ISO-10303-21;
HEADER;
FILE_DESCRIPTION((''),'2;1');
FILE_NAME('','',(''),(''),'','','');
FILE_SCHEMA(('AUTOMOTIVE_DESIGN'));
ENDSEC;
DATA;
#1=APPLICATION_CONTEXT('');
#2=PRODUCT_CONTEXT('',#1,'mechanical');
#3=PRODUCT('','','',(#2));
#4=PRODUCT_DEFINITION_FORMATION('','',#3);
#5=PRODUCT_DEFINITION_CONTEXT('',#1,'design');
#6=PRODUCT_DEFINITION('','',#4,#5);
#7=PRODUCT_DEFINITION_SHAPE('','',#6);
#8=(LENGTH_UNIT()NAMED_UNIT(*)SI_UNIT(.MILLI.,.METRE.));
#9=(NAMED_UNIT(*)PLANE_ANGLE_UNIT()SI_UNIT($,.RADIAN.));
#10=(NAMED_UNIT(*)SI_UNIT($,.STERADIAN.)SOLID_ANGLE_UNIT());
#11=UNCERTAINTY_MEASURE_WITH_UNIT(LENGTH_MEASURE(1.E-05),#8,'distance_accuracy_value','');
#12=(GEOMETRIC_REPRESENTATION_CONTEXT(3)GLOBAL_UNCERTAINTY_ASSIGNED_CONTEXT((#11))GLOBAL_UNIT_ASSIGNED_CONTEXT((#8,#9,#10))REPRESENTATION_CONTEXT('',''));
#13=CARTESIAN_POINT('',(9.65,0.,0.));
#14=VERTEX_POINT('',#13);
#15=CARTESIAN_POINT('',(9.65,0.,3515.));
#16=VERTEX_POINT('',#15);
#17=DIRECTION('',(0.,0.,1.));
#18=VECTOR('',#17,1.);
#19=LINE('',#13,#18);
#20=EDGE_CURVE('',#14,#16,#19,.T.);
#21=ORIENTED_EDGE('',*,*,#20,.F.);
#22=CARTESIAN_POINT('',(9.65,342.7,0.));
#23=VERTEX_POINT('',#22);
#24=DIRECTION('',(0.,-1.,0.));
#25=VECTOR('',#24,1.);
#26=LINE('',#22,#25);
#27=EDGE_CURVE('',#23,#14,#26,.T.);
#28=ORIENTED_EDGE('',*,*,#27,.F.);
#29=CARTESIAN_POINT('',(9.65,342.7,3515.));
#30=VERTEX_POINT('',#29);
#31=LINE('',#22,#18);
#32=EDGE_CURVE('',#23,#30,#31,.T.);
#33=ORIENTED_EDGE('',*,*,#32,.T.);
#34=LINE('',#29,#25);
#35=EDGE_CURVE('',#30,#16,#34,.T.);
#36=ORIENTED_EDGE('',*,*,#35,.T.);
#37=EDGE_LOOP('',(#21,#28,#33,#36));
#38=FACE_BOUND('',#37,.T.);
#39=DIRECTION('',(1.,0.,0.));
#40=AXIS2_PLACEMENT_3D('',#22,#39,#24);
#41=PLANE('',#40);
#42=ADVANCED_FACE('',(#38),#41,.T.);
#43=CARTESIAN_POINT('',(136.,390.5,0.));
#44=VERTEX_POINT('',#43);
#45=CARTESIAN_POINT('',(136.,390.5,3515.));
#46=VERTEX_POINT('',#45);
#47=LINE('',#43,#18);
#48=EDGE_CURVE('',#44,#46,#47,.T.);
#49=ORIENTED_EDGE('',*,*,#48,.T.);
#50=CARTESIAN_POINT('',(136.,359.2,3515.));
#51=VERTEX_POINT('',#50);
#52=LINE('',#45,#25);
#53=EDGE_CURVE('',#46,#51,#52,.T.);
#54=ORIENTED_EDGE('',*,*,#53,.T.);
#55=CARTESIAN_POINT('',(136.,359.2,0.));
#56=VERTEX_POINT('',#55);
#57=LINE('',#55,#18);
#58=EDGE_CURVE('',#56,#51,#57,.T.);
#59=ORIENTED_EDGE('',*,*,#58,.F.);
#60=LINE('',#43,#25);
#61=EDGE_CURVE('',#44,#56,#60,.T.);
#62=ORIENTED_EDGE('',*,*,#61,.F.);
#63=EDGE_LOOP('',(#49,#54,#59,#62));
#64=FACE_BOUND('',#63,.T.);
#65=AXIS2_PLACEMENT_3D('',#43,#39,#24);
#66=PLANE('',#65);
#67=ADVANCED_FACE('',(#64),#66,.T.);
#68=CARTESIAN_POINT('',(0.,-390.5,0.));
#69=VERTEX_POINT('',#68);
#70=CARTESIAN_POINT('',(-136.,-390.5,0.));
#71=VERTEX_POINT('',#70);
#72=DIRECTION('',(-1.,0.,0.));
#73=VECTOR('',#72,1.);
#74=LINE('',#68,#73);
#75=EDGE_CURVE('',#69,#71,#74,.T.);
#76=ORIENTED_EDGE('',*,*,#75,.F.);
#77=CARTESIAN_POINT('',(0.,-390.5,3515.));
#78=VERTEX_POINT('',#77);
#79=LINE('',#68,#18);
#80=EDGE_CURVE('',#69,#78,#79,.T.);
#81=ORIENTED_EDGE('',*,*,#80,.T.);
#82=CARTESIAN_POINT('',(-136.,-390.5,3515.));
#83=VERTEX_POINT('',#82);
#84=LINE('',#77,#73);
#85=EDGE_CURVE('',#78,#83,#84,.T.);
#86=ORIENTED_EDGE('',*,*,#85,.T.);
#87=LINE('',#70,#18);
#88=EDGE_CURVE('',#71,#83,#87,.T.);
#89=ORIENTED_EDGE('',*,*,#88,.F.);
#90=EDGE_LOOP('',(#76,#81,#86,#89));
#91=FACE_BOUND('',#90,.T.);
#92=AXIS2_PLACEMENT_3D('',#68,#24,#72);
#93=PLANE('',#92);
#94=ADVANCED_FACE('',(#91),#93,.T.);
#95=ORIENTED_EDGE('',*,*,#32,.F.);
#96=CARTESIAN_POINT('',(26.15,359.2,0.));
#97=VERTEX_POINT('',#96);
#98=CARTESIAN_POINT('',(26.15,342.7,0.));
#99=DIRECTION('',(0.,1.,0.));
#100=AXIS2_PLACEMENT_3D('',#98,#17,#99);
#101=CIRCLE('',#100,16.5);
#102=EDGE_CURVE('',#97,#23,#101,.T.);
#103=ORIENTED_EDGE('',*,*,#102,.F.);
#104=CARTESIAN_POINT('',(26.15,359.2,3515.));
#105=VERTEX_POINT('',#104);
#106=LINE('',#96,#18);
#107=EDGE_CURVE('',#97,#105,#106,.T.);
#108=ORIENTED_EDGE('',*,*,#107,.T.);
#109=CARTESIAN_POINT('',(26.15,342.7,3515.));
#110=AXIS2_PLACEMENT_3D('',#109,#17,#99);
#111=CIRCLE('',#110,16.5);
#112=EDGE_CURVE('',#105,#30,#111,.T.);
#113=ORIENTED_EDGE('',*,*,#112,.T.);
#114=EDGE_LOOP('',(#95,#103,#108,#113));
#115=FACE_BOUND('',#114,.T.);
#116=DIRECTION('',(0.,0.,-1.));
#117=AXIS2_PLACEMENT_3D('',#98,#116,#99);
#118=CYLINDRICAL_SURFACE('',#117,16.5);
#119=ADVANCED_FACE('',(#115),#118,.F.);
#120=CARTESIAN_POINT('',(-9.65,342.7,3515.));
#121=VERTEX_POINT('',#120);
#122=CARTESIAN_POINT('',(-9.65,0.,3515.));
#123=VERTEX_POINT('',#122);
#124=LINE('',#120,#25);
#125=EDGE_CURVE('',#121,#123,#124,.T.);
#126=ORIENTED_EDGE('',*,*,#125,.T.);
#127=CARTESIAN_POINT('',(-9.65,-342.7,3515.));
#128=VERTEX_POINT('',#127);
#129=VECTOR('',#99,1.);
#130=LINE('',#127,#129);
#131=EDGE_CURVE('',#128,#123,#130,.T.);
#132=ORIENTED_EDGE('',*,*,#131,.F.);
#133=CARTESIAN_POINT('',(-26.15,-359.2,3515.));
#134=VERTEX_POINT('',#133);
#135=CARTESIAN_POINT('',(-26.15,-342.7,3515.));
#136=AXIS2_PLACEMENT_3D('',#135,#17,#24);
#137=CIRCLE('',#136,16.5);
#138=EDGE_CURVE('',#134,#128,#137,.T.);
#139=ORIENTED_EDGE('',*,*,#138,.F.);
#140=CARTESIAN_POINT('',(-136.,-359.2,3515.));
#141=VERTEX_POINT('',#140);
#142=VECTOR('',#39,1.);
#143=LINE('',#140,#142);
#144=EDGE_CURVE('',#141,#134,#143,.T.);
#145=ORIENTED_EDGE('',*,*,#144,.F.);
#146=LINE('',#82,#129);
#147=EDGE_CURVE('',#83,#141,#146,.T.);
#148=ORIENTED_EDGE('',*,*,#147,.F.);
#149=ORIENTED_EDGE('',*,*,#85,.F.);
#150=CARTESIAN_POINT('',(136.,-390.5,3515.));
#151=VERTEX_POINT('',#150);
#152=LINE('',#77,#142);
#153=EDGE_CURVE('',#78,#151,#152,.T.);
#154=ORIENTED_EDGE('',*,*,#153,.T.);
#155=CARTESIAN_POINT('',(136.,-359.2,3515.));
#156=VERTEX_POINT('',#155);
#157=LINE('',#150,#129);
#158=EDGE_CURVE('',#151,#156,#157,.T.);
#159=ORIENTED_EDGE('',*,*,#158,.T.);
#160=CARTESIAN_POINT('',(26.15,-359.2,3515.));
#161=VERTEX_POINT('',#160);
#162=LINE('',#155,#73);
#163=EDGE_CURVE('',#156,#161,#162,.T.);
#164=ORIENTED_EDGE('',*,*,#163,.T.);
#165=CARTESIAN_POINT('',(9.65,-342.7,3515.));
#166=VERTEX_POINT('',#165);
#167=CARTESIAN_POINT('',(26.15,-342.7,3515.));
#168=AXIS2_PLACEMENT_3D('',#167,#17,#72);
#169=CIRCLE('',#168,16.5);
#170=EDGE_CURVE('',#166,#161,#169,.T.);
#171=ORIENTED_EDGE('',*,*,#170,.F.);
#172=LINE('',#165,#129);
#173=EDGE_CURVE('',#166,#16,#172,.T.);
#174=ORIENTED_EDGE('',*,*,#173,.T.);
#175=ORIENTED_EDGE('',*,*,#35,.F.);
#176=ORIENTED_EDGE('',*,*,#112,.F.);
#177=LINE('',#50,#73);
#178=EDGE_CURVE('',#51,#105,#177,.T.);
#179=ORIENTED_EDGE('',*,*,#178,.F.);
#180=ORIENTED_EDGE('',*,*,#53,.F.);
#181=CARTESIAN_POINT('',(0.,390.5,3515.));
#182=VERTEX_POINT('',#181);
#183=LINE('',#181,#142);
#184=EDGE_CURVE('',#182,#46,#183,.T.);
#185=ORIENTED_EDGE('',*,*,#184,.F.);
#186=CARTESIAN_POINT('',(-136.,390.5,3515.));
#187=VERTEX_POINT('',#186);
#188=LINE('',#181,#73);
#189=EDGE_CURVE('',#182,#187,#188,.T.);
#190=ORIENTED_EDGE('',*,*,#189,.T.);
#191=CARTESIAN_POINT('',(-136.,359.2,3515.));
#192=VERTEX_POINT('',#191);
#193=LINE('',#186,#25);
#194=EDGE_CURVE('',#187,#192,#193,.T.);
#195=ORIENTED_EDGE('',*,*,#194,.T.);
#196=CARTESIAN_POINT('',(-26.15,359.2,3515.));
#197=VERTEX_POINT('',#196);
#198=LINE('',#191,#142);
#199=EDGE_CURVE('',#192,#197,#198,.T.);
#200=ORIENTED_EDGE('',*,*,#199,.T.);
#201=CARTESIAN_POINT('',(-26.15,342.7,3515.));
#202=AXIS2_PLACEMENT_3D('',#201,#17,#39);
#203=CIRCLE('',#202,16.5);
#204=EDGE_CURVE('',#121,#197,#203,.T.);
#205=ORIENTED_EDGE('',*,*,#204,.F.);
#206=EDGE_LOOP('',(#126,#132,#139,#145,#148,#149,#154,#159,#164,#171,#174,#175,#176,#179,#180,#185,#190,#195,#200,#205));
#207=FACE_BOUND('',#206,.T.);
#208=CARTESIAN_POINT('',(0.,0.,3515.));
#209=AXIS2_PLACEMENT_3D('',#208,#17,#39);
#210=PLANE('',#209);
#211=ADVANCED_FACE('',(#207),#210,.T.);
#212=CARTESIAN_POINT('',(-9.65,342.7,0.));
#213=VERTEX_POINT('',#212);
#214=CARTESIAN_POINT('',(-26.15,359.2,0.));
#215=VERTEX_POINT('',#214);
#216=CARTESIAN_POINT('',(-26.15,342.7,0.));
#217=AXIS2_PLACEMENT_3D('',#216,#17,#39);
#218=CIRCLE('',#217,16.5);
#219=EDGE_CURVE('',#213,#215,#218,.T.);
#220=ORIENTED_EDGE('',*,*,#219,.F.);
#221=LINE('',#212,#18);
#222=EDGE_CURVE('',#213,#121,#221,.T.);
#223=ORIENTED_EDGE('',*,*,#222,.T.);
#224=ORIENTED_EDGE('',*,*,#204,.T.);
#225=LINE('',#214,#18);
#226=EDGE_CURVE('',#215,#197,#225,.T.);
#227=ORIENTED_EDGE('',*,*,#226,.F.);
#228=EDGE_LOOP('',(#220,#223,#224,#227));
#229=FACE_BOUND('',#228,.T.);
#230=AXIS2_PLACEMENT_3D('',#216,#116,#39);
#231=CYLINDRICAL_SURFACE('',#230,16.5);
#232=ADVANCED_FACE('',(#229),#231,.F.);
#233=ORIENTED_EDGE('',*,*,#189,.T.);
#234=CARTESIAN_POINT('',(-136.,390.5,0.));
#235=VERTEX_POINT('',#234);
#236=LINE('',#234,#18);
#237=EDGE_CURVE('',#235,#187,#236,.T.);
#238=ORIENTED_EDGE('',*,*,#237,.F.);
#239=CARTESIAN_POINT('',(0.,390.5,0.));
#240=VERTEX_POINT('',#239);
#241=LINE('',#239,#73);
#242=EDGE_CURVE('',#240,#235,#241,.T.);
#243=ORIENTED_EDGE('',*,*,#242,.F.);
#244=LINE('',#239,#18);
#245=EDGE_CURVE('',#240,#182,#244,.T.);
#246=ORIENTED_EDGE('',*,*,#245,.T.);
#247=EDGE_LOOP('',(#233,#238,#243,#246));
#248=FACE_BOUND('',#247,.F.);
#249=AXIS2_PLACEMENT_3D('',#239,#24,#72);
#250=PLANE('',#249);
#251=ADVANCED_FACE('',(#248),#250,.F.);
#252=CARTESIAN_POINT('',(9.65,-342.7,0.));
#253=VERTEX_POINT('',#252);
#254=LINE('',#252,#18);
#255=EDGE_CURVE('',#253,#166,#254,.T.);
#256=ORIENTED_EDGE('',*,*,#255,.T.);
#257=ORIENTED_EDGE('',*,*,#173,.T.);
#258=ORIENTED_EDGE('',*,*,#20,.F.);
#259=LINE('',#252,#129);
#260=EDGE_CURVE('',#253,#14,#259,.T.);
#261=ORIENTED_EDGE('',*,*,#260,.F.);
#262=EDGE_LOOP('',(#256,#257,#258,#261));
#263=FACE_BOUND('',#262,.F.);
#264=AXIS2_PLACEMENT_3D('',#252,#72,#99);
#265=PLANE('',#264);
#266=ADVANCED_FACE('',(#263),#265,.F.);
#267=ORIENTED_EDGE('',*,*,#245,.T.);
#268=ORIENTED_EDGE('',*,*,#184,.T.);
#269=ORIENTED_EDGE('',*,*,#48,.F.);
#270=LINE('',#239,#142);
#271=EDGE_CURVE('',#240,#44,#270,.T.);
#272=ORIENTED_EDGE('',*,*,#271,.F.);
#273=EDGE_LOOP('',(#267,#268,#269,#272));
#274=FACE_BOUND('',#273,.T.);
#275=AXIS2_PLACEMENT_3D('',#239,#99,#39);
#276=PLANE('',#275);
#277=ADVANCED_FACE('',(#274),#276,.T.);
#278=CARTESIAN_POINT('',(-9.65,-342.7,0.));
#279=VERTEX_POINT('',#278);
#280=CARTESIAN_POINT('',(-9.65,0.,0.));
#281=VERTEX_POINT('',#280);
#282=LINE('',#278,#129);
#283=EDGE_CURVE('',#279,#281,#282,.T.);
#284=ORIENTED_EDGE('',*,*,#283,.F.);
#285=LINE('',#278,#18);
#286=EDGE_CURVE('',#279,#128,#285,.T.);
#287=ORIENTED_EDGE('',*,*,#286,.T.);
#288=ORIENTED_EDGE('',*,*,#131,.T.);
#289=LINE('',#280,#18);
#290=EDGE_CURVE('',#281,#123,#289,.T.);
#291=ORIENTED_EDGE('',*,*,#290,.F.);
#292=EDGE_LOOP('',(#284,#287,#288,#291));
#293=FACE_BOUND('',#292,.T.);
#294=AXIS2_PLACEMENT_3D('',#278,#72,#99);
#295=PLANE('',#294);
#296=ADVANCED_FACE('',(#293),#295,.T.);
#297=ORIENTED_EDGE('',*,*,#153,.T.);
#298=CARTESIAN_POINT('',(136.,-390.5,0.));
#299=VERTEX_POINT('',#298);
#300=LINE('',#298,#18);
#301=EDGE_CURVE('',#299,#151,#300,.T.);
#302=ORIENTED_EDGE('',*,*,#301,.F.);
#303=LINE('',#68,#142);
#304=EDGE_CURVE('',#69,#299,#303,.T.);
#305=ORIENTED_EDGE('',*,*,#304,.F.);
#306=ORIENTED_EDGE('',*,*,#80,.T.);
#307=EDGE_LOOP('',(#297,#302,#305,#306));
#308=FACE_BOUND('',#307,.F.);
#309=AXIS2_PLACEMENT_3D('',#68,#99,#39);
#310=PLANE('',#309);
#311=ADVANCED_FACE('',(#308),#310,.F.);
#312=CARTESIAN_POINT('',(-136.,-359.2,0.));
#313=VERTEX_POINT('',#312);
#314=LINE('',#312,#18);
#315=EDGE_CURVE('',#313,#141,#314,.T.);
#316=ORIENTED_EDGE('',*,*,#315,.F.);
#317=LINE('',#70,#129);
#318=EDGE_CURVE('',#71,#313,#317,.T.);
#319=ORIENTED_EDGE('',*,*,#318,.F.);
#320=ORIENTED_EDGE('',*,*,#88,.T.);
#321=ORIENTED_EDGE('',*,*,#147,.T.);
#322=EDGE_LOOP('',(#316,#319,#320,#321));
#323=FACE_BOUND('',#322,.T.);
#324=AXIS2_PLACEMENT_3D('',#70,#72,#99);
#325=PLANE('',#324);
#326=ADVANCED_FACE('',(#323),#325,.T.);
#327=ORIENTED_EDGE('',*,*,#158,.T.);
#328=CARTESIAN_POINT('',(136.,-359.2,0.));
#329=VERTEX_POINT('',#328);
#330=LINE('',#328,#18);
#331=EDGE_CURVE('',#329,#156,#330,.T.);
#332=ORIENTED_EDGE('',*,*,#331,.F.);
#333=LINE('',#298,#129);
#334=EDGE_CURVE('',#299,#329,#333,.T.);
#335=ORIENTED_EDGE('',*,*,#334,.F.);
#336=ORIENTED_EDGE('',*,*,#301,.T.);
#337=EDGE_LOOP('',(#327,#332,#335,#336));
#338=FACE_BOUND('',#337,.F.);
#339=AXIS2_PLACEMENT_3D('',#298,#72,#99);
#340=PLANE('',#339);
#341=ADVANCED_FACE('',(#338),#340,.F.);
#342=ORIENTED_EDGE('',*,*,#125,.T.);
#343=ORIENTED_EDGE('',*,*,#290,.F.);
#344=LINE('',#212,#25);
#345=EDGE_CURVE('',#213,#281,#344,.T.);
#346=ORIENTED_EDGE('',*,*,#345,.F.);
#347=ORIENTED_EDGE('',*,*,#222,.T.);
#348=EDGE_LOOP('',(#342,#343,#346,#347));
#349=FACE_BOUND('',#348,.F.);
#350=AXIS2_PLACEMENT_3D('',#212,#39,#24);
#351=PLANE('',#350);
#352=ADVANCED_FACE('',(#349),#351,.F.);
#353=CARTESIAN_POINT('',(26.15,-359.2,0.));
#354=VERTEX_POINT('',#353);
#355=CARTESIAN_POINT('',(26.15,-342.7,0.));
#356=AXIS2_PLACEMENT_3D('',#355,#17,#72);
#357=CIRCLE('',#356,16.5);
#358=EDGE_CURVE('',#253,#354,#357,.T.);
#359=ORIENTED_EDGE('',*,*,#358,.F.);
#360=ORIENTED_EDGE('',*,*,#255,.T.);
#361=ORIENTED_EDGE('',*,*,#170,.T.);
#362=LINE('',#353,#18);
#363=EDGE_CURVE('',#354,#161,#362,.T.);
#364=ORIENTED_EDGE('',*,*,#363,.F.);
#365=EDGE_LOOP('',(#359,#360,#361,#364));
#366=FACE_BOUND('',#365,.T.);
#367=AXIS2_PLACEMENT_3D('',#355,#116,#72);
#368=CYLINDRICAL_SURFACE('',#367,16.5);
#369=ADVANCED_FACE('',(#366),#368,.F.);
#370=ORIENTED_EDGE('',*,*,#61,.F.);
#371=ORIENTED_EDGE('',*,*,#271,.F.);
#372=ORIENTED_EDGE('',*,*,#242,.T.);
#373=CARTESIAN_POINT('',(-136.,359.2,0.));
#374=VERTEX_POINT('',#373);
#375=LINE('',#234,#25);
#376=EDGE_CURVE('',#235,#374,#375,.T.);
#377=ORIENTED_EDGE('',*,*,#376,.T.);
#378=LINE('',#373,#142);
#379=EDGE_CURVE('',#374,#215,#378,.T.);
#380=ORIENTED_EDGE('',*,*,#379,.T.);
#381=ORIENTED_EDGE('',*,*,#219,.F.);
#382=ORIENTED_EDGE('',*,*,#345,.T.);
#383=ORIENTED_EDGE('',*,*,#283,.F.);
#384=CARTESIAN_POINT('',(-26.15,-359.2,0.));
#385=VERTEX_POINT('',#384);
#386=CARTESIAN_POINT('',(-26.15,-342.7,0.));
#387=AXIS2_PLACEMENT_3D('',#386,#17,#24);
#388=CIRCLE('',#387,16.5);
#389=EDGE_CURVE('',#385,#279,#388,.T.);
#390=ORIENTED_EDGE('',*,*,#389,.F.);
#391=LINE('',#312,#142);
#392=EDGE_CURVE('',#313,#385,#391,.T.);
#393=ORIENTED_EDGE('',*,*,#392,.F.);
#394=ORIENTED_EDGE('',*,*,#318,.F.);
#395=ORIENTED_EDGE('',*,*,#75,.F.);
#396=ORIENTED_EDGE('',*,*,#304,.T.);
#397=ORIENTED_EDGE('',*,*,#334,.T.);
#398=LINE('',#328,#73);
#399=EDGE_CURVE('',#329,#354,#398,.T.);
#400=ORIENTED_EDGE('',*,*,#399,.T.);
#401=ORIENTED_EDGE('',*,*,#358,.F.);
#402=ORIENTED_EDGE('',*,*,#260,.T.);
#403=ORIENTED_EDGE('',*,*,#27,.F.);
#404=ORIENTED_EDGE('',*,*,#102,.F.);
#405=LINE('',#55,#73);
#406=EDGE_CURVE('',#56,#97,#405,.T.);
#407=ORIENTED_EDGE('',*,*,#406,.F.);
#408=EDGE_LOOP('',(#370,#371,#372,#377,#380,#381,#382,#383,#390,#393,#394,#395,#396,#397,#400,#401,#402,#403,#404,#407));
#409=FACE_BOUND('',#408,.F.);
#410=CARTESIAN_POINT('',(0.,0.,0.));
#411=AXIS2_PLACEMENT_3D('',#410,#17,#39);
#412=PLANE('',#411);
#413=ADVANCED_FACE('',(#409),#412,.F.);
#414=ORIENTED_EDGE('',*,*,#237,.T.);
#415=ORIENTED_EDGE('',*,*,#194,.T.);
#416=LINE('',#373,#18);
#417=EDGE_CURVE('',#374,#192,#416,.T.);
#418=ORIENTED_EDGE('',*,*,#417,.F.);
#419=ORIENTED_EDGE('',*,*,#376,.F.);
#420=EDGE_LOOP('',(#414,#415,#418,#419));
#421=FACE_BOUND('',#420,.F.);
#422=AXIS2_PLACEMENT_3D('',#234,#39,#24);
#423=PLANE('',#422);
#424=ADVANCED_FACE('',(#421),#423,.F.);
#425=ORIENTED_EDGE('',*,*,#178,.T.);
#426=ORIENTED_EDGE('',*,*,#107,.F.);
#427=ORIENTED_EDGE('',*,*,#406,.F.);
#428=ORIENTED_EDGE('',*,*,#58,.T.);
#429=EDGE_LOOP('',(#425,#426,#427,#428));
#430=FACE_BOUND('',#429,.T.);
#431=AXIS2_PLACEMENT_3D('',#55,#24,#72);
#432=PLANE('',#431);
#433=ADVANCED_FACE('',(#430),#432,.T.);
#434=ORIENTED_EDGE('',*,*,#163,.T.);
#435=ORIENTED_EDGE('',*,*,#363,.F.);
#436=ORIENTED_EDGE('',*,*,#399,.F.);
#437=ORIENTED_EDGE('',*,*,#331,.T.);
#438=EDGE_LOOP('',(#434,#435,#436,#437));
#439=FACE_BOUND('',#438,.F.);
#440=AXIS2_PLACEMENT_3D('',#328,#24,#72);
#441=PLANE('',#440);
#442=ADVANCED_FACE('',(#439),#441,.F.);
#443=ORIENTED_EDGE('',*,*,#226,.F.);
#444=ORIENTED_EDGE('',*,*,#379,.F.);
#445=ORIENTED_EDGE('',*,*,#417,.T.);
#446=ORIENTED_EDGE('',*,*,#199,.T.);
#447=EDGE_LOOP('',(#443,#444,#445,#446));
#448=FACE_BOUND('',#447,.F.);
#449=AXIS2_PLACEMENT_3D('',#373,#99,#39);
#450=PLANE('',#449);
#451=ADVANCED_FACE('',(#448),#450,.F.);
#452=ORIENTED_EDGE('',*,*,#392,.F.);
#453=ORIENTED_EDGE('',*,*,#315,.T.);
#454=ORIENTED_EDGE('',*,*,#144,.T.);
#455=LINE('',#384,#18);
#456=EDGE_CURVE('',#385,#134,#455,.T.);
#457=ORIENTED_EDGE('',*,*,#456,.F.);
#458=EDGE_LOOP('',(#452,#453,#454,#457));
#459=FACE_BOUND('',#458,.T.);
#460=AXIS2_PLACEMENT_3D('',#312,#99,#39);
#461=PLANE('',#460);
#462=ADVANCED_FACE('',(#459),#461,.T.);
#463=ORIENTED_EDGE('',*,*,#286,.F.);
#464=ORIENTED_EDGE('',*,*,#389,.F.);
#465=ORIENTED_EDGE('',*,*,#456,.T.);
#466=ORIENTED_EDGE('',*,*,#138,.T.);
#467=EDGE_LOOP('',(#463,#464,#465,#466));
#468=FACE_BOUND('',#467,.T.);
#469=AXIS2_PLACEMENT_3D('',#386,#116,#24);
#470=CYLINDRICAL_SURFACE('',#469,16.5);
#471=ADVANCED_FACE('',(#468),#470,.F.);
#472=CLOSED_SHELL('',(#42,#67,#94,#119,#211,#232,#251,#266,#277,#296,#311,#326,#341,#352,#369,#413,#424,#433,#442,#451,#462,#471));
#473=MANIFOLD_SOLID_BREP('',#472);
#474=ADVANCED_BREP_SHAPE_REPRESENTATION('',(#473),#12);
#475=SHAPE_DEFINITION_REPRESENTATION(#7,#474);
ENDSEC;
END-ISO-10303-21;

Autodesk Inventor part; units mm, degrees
ref_plane "YZ Plane" through (0, 0, 0) normal (1, 0, 0) x (0, 1, 0)
ref_plane "Start plane" through (0, 0, 0) normal (0, 0, 1) x (1, 0, 0)
ref_plane "End plane" through (0, 0, 3515) normal (0, 0, 1) x (1, 0, 0)
sketch "Sketch" plane through (0, 0, 0) normal (0, 0, 1) x (1, 0, 0)
  line L0 (-136, -390.5) -> (-136, -359.2)
  line L1 (-136, -359.2) -> (-26.15, -359.2)
  line L2 (-9.65, -342.7) -> (-9.65, 0)
  line L3 (-9.65, 0) -> (0, 0) construction
  line L4 (0, 0) -> (0, -390.5) construction
  line L5 (0, -390.5) -> (-136, -390.5)
  line L6 (-60, 0) -> (80, 0) construction
  line L7 (0, -60) -> (0, 80) construction
  line L8 (136, -390.5) -> (136, -359.2)
  line L9 (136, -359.2) -> (26.15, -359.2)
  line L10 (9.65, -342.7) -> (9.65, 0)
  line L11 (9.65, 0) -> (0, 0) construction
  line L12 (0, -390.5) -> (136, -390.5)
  line L13 (-136, 390.5) -> (-136, 359.2)
  line L14 (-136, 359.2) -> (-26.15, 359.2)
  line L15 (-9.65, 342.7) -> (-9.65, 0)
  line L16 (0, 390.5) -> (-136, 390.5)
  line L17 (136, 390.5) -> (136, 359.2)
  line L18 (136, 359.2) -> (26.15, 359.2)
  line L19 (0, 390.5) -> (136, 390.5)
  line L20 (9.65, 342.7) -> (9.65, 0)
  arc A0 (-9.65, 342.7) -> (-26.15, 359.2) centre (-26.15, 342.7) ccw
  arc A1 (26.15, 359.2) -> (9.65, 342.7) centre (26.15, 342.7) ccw
  arc A2 (9.65, -342.7) -> (26.15, -359.2) centre (26.15, -342.7) ccw
  arc A3 (-26.15, -359.2) -> (-9.65, -342.7) centre (-26.15, -342.7) ccw
  line L21 (0, 108) -> (0, -88) construction
  line L22 (-88, 0) -> (108, 0) construction
  point P0 (-9.65, -359.2)
  point P1 (9.65, -359.2)
  point P2 (-9.65, 359.2)
  point P3 (9.65, 359.2)
  dimension "d1" = 390.5
  dimension "d2" = 31.3
  dimension "d3" = 136
  dimension "d4" = 9.65
  dimension "d10" = 16.5
extrude "Body" add sketch "Sketch" along normal up to surface (3515 mm away) from surface at 0
sketch "Sketch4" plane through (0, 0, 0) normal (0, 0, 1) x (1, 0, 0)
  line L0 (0, 0) -> (10, 0)
ref_plane "Work Plane3" through (0, 0, 0) normal (0, -1, 0) x (1, 0, 0)
sketch "Sketch5" plane through (0, 0, 0) normal (0, -1, 0) x (1, 0, 0)
  line L0 (-2, 0) -> (12, 0) projected
  line L1 (-2, 3515) -> (12, 3515) projected
  dimension "d14" = 3515
equation "\"d1\" = 0.5 * G_H"
equation "\"d2\" = G_T1"
equation "\"d3\" = 0.5 * G_W"
equation "\"d4\" = 0.5 * G_T"
equation "\"d10\" = G_IR"
equation "\"d5\" = G_L"
equation "\"G_W\" = 272"
equation "\"G_H\" = 781"
equation "\"G_T\" = 19.3"
equation "\"G_T1\" = 31.3"
equation "\"G_IR\" = 16.5"
equation "\"G_L\" = d14"
equation "\"G_OFFSET_START\" = 0"
equation "\"G_OFFSET_END\" = 0"
equation "\"d12\" = G_OFFSET_END + B_L"
equation "\"B_L\" = 3515"
properties part number "AS 3679-1990 - 760 UB - 244 - 3515" material "Steel, Mild"
